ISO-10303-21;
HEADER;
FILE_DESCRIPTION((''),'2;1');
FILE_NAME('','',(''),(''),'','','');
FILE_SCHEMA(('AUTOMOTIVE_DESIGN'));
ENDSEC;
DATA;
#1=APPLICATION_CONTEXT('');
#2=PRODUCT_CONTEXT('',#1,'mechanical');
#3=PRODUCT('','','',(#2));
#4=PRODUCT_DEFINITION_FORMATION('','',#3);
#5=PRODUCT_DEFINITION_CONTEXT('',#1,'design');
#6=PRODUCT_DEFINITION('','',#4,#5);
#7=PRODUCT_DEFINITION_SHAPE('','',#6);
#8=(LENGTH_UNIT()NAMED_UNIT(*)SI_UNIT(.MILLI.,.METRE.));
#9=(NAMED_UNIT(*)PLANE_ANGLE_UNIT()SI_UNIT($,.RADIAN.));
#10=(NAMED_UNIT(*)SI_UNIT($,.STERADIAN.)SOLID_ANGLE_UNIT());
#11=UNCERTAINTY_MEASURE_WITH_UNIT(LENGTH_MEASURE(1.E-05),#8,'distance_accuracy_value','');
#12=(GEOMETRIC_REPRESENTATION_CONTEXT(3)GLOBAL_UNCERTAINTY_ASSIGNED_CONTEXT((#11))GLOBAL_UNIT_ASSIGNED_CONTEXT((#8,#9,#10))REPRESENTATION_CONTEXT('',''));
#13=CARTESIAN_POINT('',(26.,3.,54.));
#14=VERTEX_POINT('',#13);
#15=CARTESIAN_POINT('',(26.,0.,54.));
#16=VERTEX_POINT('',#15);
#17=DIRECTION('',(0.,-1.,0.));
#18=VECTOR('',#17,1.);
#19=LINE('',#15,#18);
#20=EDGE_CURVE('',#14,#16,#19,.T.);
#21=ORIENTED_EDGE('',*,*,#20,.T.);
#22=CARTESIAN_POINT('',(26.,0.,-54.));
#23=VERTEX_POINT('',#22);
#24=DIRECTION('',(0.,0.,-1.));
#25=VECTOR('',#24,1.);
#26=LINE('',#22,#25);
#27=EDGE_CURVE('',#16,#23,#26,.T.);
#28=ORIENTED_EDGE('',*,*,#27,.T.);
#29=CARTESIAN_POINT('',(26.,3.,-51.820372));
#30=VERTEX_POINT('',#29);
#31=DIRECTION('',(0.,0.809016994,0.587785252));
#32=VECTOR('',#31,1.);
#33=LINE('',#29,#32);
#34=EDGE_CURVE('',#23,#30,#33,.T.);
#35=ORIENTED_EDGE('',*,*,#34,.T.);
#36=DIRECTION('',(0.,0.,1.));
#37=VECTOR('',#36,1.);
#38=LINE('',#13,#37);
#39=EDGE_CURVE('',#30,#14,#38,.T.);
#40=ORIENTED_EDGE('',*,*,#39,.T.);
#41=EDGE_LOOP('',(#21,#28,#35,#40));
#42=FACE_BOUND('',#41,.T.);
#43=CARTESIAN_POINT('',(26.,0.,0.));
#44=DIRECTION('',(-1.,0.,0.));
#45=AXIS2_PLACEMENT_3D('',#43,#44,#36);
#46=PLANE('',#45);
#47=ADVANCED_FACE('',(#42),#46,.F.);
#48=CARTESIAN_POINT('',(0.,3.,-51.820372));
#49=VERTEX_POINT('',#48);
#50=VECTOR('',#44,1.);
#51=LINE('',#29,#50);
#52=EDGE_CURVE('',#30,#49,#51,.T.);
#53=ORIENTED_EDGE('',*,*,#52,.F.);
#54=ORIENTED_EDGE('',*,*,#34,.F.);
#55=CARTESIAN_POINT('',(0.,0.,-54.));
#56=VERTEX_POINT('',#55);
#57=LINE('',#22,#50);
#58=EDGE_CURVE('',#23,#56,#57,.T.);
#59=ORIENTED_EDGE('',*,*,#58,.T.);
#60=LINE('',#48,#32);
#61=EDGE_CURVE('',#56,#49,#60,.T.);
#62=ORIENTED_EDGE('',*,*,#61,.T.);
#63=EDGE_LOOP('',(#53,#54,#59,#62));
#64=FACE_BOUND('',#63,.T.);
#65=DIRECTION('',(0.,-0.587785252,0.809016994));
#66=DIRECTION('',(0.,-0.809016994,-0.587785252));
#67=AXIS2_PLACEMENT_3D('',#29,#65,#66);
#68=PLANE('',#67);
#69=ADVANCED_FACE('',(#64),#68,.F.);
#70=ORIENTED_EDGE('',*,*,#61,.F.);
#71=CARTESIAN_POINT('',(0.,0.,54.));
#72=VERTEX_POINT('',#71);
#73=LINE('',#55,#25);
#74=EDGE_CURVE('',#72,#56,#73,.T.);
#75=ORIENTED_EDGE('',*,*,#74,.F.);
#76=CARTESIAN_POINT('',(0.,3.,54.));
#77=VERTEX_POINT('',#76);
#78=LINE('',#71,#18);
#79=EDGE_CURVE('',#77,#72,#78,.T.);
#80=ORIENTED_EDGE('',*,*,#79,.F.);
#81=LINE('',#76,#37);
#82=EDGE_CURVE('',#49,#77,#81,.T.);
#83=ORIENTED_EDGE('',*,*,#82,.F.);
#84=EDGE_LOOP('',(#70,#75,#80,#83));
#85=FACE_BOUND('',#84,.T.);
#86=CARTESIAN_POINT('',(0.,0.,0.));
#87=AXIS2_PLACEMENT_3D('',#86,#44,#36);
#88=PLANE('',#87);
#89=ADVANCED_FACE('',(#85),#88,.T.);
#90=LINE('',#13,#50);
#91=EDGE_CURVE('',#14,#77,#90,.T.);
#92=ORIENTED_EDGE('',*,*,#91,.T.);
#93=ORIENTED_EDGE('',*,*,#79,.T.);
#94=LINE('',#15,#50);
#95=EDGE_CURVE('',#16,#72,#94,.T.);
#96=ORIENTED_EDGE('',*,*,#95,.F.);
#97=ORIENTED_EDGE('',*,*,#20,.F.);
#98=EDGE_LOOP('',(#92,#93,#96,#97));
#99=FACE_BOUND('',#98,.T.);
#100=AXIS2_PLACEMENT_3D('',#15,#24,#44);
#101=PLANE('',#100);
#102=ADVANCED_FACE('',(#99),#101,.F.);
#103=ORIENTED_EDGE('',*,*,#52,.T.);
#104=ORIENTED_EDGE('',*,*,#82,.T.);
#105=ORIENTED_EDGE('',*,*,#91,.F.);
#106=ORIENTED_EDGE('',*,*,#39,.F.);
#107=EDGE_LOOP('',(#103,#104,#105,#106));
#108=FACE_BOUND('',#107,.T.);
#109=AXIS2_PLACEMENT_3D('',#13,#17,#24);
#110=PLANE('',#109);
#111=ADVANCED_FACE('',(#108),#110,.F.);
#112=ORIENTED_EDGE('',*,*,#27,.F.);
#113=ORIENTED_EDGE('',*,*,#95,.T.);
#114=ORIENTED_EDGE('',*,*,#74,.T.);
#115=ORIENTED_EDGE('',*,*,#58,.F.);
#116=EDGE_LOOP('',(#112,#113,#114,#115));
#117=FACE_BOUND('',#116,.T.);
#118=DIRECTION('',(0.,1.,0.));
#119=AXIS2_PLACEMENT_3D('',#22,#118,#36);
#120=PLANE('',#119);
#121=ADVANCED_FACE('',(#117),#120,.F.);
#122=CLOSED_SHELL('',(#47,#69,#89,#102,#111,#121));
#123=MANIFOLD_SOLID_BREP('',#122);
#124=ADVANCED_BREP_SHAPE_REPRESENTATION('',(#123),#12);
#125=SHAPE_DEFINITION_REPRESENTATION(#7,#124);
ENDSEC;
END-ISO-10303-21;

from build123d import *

# Parameters (mm, degrees)
EXTRUDE_1_DEPTH = 26


with BuildPart() as part:
    # Эскиз1 → Бобышка-Вытянуть1 (new body)
    with BuildSketch(Plane(origin=(0, 0, 0), x_dir=(0, 0, -1), z_dir=(1, 0, 0))):
        Polygon((54, 0), (-54, 0), (-54, 3), (51.820372416, 3), align=None)
    extrude(amount=EXTRUDE_1_DEPTH)


solid = part.part
